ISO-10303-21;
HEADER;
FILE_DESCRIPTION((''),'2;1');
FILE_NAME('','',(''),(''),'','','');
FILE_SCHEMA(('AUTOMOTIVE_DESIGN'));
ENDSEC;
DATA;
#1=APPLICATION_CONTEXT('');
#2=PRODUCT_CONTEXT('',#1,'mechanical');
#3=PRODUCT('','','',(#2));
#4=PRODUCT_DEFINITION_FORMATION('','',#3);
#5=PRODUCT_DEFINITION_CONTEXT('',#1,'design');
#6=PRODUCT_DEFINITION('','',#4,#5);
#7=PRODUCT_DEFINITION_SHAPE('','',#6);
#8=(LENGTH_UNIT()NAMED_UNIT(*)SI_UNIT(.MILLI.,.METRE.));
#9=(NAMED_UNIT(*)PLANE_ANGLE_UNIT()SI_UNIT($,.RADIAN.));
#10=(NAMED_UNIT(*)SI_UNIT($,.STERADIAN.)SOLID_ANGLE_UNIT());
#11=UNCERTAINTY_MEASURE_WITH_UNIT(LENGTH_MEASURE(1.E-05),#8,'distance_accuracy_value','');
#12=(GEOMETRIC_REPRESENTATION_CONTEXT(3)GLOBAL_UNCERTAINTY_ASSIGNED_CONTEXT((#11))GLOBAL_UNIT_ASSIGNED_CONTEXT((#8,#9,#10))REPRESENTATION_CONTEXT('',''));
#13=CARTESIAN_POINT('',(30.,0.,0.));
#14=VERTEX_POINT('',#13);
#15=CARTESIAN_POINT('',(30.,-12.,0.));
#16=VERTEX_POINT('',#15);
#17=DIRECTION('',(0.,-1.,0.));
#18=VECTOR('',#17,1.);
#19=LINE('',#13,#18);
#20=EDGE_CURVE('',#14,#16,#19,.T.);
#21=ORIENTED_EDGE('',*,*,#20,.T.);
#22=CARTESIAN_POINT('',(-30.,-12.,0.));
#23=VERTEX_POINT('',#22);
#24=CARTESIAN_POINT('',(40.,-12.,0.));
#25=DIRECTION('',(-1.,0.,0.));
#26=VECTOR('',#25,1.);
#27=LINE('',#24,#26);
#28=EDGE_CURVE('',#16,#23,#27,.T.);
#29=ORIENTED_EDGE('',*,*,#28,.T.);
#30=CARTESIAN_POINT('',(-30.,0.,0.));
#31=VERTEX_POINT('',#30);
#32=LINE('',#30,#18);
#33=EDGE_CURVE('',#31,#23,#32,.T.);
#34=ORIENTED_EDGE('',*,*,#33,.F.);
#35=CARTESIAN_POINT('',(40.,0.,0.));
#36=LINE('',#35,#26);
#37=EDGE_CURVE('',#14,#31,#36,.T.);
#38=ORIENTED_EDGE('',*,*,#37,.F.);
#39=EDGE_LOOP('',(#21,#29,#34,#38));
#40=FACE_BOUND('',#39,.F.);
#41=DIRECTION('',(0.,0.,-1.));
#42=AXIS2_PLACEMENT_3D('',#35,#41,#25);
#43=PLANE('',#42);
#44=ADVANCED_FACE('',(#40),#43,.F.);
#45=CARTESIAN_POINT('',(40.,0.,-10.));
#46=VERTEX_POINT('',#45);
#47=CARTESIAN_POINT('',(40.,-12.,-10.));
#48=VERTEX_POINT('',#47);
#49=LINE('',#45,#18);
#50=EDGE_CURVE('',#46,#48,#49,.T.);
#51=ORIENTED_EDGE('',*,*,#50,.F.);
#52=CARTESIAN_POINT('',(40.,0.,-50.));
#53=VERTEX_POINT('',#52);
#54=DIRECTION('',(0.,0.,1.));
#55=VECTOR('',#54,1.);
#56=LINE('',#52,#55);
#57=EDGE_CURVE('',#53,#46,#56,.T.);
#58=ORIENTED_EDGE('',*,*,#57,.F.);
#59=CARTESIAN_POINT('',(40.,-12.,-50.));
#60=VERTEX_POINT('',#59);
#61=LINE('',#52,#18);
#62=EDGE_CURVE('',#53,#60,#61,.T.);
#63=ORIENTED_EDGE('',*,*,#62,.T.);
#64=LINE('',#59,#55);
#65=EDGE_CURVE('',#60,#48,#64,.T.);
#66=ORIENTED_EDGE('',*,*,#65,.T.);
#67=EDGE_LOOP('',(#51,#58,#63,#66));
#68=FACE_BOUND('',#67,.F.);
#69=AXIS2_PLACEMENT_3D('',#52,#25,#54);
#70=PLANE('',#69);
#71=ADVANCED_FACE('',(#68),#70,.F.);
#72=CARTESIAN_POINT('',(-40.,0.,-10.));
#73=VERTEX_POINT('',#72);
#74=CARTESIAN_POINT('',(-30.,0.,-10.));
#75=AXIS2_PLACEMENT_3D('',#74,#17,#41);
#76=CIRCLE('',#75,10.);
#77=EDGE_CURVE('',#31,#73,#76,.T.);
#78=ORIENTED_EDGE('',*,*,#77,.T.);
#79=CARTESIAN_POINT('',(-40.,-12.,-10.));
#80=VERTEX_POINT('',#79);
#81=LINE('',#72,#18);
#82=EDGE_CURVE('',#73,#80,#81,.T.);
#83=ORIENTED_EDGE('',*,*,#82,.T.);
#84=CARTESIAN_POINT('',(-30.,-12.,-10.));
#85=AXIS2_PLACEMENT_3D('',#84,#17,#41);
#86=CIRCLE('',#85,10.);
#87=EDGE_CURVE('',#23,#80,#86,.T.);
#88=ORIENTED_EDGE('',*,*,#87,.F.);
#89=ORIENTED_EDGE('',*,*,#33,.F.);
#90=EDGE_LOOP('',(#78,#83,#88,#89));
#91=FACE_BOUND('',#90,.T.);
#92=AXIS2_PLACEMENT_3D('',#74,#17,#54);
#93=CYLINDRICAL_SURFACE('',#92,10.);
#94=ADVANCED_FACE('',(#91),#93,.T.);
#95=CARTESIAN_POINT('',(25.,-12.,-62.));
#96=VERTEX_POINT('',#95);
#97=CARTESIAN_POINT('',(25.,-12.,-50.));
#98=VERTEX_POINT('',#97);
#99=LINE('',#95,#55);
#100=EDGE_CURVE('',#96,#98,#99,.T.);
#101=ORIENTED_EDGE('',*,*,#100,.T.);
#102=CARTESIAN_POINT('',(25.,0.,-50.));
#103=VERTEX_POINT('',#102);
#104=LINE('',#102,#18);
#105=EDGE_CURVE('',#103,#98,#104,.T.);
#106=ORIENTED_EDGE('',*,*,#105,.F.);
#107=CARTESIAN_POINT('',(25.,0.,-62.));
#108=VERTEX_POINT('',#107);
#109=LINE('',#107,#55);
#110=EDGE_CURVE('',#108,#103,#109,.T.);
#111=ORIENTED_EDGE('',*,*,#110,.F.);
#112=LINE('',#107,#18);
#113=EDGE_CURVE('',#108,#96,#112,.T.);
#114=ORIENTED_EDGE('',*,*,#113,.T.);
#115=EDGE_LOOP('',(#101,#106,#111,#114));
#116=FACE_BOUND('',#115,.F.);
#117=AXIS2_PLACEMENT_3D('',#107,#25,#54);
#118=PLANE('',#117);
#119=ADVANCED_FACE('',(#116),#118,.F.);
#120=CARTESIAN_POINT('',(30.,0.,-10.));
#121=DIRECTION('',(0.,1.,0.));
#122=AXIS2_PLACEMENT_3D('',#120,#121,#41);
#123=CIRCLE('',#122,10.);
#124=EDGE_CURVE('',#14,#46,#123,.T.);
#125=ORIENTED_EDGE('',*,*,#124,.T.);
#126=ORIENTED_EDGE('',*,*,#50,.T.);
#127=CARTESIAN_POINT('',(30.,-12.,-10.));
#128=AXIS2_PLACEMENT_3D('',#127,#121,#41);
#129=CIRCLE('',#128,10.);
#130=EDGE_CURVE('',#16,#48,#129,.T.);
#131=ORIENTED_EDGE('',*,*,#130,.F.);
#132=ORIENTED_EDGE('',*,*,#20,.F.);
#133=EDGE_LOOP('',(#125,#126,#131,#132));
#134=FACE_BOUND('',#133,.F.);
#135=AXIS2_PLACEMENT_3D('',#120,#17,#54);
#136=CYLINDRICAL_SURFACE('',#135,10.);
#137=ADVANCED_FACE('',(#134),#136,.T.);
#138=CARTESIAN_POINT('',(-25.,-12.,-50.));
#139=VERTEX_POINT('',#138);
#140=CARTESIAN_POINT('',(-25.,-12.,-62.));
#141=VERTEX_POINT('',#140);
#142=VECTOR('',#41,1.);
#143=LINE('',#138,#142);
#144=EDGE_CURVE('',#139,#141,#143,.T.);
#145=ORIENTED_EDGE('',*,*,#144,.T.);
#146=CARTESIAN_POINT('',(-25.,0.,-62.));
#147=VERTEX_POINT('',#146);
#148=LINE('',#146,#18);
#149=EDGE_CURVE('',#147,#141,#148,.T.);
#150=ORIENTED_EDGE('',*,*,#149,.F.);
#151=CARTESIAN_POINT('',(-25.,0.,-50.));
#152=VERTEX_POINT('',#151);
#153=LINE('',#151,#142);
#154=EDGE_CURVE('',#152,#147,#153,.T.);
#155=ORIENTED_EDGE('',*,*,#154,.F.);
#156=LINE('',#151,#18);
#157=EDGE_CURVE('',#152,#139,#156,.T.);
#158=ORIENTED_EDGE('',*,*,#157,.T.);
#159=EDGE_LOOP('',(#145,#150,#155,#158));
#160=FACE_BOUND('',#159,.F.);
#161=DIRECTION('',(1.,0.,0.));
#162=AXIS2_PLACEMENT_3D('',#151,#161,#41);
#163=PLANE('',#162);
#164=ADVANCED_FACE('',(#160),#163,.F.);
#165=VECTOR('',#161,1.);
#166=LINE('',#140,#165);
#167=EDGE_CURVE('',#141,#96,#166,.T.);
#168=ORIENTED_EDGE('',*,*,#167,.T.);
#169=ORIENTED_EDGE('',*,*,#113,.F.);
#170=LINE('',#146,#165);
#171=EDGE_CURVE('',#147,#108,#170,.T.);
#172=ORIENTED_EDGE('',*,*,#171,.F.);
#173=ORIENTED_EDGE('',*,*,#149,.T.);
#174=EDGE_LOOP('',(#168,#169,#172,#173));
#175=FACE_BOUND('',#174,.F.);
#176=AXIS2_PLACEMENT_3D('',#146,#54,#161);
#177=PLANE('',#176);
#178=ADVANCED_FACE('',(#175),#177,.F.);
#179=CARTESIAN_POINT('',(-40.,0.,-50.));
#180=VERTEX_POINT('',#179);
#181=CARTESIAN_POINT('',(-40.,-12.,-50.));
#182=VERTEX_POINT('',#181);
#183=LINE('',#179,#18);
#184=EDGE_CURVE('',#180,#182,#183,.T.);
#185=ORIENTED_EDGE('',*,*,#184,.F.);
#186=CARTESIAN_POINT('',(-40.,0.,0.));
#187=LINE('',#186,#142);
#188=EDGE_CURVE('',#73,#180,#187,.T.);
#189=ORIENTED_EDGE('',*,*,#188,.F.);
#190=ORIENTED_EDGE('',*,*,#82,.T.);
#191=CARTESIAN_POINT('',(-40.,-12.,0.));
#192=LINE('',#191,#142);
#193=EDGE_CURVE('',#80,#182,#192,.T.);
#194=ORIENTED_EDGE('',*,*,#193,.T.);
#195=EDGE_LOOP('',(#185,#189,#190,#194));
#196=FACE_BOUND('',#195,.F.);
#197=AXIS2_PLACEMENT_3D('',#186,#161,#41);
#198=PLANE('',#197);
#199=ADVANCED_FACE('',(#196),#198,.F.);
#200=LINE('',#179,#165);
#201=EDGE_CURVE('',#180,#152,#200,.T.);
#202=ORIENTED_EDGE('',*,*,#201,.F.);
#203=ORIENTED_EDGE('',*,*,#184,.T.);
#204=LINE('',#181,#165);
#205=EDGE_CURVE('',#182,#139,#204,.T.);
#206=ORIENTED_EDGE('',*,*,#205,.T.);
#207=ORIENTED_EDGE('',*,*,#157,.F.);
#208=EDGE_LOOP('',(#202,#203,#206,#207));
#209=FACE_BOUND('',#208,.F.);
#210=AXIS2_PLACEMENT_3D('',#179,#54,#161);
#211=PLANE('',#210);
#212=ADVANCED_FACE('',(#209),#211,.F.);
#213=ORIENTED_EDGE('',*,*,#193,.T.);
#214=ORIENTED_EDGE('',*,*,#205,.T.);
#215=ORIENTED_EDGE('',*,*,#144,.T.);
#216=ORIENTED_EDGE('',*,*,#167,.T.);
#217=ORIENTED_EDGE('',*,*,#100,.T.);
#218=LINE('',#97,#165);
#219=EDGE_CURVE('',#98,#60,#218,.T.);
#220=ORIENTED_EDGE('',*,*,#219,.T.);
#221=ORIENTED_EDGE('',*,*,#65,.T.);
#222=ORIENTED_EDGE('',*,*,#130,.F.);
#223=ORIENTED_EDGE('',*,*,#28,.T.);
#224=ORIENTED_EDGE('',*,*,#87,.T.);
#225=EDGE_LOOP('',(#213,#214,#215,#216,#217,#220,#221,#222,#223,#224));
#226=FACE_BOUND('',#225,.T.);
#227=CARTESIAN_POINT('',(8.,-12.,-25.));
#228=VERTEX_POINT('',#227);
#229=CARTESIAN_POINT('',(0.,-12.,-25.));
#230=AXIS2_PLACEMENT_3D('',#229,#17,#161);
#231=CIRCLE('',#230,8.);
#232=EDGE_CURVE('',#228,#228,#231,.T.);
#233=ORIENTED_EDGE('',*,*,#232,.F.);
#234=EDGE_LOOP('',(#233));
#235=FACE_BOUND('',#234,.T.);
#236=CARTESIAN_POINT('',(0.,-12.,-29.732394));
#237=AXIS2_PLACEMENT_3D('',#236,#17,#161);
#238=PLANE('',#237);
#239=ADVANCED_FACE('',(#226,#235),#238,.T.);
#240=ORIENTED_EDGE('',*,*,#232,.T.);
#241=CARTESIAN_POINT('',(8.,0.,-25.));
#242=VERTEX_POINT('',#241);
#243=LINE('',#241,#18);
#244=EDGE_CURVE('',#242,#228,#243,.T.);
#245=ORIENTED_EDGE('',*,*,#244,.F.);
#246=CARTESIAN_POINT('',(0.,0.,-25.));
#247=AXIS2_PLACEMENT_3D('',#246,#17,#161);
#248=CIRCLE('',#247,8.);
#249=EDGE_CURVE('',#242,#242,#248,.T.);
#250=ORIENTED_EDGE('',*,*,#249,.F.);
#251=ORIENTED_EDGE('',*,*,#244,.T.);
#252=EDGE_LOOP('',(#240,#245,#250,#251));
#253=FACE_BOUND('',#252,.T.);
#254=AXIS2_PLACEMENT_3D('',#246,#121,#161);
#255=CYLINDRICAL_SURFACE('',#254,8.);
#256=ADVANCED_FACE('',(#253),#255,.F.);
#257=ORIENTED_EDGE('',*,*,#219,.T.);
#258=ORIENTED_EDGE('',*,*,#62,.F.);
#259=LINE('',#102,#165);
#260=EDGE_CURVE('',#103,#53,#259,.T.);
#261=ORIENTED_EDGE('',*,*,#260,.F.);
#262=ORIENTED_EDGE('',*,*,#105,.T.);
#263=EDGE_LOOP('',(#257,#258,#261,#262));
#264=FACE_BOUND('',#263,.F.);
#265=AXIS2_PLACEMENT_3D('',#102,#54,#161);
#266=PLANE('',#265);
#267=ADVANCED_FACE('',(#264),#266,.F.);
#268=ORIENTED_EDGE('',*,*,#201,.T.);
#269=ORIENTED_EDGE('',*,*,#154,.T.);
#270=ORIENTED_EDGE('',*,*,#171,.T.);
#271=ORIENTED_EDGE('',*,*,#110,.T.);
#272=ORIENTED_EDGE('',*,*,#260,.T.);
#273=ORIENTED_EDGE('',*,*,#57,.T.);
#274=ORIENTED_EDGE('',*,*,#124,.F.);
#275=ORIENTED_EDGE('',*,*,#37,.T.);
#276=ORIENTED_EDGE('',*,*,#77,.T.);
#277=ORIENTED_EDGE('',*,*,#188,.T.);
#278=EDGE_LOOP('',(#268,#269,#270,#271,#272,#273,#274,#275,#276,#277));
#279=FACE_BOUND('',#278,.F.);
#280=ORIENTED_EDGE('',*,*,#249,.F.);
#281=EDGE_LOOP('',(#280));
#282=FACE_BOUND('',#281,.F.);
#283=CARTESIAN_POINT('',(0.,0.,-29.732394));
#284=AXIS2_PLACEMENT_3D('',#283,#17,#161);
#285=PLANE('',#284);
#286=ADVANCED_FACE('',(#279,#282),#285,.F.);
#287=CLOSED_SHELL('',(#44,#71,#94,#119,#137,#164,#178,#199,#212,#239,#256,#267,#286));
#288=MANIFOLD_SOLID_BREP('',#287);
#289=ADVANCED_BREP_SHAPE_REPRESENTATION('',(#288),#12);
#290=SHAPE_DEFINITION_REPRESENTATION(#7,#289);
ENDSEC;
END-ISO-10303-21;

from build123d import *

# Parameters (mm, degrees)
F0_R     = 8
F1_DEPTH = 12
F2_R     = 10


with BuildPart() as f1:
    # F0 (on Front) → F1 (new body)
    with BuildSketch(Plane.XZ):
        Polygon((40, 0), (-40, 0), (-40, -50), (-25, -50), (-25, -62), (25, -62), (25, -50), (40, -50), align=None)
        with Locations((0, -25)):
            Circle(F0_R, mode=Mode.SUBTRACT)
    extrude(amount=F1_DEPTH)

    # F2
    f2_edges = [f1.edges().sort_by_distance(p)[0] for p in [
        (-40, -6, 0),
        (40, -6, 0),
    ]]
    fillet(f2_edges, radius=F2_R)


solid = f1.part
